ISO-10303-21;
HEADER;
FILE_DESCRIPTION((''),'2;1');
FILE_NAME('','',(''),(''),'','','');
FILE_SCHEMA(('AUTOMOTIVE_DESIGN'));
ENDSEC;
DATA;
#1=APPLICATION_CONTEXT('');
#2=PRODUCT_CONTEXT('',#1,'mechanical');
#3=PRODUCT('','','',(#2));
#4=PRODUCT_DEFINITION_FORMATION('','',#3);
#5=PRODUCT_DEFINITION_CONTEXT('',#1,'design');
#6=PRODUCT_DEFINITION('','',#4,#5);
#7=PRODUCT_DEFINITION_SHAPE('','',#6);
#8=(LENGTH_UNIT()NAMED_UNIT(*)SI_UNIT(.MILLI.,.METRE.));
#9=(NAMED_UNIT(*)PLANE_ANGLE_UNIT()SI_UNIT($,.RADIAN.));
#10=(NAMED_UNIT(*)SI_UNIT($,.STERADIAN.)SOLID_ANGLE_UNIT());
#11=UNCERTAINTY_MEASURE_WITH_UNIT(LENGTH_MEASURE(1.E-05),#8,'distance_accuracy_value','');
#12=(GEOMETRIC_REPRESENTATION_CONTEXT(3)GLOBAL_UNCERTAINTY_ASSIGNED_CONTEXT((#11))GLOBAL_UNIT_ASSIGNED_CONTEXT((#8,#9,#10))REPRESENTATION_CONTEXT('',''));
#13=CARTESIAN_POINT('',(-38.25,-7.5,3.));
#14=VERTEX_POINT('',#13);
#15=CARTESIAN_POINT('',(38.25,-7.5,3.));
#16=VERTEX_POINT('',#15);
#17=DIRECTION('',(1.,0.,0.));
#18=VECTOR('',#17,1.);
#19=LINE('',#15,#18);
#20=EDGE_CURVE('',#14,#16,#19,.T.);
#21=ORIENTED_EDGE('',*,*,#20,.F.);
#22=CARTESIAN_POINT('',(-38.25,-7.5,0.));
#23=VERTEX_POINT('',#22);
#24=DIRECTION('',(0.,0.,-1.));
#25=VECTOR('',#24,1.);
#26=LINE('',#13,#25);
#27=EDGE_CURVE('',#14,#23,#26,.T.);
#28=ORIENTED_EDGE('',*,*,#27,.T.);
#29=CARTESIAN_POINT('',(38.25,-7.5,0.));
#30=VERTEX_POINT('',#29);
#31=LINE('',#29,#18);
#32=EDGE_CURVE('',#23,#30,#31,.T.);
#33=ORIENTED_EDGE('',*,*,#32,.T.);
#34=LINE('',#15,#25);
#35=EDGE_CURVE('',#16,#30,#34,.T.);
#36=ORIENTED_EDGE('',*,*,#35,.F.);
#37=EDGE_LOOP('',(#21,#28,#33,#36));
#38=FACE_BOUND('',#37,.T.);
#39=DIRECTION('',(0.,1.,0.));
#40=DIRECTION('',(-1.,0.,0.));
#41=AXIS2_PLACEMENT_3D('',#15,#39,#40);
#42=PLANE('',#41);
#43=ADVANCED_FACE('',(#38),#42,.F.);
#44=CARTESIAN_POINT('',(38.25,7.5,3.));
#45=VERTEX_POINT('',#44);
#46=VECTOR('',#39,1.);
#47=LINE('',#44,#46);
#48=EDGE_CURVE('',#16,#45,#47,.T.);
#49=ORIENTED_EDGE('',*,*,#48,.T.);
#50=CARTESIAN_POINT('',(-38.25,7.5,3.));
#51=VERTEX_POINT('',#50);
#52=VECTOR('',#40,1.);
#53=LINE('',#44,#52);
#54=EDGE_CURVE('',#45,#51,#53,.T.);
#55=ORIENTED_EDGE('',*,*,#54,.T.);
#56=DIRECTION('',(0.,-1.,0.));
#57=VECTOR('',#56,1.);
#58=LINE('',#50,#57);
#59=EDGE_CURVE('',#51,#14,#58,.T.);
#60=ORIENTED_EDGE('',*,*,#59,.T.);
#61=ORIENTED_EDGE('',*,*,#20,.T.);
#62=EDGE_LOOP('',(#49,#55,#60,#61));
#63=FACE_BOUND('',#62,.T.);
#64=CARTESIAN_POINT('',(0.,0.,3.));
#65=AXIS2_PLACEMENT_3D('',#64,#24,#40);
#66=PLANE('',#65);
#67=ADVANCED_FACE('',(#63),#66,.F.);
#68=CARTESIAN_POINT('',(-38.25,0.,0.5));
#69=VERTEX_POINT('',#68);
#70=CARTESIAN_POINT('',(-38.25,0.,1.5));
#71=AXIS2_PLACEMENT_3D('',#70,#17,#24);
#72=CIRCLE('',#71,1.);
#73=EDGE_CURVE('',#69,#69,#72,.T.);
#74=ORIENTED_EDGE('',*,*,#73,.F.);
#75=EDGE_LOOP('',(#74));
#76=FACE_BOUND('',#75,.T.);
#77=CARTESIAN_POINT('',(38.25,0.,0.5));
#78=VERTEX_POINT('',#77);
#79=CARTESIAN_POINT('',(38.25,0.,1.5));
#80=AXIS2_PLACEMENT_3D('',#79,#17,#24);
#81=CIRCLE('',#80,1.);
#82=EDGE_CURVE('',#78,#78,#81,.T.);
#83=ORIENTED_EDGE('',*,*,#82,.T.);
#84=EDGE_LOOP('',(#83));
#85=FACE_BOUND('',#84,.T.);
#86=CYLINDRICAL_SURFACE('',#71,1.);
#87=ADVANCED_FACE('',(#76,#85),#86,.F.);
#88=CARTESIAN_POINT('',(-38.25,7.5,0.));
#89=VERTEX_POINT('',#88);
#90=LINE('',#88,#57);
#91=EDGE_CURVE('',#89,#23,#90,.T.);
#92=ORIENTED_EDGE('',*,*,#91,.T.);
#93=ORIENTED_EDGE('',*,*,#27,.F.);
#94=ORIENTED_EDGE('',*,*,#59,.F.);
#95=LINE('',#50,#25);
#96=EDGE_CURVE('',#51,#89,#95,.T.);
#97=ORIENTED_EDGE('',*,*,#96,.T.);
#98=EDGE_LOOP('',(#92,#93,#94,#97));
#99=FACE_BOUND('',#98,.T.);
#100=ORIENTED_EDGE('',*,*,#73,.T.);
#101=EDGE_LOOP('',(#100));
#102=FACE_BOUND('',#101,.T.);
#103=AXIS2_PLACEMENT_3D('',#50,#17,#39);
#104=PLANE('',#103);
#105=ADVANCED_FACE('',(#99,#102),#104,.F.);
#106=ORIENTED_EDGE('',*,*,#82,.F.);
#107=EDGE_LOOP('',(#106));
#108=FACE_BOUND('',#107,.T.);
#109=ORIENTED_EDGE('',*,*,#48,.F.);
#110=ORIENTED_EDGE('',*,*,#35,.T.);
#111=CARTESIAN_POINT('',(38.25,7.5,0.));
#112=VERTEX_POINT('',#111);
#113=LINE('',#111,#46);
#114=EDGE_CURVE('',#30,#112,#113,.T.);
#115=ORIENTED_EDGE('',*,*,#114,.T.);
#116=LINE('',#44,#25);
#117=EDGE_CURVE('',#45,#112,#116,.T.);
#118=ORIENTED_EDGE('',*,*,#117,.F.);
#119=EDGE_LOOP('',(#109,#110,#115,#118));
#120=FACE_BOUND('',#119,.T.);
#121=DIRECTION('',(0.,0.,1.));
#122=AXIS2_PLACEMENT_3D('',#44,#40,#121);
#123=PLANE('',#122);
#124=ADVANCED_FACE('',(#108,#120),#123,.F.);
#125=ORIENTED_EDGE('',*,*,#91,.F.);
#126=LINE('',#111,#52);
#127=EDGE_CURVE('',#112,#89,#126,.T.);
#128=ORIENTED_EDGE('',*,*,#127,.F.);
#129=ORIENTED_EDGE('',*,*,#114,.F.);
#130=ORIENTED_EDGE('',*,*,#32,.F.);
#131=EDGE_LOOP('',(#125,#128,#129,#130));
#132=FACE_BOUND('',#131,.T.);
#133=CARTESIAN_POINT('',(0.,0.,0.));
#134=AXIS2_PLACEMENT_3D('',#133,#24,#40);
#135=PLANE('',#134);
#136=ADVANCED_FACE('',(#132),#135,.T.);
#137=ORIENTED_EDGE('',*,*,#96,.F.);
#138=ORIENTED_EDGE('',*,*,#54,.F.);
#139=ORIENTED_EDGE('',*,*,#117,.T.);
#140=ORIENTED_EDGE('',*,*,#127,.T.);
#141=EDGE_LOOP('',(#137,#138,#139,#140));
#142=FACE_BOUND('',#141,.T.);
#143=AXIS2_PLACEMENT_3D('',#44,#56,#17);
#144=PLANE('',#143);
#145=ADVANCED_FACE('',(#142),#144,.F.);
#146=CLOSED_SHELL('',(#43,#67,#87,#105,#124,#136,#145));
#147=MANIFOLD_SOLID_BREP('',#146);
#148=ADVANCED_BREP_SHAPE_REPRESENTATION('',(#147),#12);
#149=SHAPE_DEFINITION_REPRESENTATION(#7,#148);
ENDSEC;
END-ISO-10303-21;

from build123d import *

# Parameters (mm, degrees)
SKETCH1_W           = 76.5
SKETCH1_H           = 15
BOSS_EXTRUDE1_DEPTH = 3
SKETCH2_R           = 1
CUT_EXTRUDE1_DEPTH  = 77.92528843


with BuildPart() as part:
    # Sketch1 → Boss-Extrude1 (new body)
    with BuildSketch(Plane.XY):
        Rectangle(SKETCH1_W, SKETCH1_H)
    extrude(amount=BOSS_EXTRUDE1_DEPTH)

    # Sketch2 → Cut-Extrude1 (cut, through all)
    with BuildSketch(Plane(origin=(38.25, 0, 0), x_dir=(0, 0, -1), z_dir=(1, 0, 0))):
        with Locations((-1.5, 0)):
            Circle(SKETCH2_R)
    extrude(amount=-CUT_EXTRUDE1_DEPTH, mode=Mode.SUBTRACT)


solid = part.part
